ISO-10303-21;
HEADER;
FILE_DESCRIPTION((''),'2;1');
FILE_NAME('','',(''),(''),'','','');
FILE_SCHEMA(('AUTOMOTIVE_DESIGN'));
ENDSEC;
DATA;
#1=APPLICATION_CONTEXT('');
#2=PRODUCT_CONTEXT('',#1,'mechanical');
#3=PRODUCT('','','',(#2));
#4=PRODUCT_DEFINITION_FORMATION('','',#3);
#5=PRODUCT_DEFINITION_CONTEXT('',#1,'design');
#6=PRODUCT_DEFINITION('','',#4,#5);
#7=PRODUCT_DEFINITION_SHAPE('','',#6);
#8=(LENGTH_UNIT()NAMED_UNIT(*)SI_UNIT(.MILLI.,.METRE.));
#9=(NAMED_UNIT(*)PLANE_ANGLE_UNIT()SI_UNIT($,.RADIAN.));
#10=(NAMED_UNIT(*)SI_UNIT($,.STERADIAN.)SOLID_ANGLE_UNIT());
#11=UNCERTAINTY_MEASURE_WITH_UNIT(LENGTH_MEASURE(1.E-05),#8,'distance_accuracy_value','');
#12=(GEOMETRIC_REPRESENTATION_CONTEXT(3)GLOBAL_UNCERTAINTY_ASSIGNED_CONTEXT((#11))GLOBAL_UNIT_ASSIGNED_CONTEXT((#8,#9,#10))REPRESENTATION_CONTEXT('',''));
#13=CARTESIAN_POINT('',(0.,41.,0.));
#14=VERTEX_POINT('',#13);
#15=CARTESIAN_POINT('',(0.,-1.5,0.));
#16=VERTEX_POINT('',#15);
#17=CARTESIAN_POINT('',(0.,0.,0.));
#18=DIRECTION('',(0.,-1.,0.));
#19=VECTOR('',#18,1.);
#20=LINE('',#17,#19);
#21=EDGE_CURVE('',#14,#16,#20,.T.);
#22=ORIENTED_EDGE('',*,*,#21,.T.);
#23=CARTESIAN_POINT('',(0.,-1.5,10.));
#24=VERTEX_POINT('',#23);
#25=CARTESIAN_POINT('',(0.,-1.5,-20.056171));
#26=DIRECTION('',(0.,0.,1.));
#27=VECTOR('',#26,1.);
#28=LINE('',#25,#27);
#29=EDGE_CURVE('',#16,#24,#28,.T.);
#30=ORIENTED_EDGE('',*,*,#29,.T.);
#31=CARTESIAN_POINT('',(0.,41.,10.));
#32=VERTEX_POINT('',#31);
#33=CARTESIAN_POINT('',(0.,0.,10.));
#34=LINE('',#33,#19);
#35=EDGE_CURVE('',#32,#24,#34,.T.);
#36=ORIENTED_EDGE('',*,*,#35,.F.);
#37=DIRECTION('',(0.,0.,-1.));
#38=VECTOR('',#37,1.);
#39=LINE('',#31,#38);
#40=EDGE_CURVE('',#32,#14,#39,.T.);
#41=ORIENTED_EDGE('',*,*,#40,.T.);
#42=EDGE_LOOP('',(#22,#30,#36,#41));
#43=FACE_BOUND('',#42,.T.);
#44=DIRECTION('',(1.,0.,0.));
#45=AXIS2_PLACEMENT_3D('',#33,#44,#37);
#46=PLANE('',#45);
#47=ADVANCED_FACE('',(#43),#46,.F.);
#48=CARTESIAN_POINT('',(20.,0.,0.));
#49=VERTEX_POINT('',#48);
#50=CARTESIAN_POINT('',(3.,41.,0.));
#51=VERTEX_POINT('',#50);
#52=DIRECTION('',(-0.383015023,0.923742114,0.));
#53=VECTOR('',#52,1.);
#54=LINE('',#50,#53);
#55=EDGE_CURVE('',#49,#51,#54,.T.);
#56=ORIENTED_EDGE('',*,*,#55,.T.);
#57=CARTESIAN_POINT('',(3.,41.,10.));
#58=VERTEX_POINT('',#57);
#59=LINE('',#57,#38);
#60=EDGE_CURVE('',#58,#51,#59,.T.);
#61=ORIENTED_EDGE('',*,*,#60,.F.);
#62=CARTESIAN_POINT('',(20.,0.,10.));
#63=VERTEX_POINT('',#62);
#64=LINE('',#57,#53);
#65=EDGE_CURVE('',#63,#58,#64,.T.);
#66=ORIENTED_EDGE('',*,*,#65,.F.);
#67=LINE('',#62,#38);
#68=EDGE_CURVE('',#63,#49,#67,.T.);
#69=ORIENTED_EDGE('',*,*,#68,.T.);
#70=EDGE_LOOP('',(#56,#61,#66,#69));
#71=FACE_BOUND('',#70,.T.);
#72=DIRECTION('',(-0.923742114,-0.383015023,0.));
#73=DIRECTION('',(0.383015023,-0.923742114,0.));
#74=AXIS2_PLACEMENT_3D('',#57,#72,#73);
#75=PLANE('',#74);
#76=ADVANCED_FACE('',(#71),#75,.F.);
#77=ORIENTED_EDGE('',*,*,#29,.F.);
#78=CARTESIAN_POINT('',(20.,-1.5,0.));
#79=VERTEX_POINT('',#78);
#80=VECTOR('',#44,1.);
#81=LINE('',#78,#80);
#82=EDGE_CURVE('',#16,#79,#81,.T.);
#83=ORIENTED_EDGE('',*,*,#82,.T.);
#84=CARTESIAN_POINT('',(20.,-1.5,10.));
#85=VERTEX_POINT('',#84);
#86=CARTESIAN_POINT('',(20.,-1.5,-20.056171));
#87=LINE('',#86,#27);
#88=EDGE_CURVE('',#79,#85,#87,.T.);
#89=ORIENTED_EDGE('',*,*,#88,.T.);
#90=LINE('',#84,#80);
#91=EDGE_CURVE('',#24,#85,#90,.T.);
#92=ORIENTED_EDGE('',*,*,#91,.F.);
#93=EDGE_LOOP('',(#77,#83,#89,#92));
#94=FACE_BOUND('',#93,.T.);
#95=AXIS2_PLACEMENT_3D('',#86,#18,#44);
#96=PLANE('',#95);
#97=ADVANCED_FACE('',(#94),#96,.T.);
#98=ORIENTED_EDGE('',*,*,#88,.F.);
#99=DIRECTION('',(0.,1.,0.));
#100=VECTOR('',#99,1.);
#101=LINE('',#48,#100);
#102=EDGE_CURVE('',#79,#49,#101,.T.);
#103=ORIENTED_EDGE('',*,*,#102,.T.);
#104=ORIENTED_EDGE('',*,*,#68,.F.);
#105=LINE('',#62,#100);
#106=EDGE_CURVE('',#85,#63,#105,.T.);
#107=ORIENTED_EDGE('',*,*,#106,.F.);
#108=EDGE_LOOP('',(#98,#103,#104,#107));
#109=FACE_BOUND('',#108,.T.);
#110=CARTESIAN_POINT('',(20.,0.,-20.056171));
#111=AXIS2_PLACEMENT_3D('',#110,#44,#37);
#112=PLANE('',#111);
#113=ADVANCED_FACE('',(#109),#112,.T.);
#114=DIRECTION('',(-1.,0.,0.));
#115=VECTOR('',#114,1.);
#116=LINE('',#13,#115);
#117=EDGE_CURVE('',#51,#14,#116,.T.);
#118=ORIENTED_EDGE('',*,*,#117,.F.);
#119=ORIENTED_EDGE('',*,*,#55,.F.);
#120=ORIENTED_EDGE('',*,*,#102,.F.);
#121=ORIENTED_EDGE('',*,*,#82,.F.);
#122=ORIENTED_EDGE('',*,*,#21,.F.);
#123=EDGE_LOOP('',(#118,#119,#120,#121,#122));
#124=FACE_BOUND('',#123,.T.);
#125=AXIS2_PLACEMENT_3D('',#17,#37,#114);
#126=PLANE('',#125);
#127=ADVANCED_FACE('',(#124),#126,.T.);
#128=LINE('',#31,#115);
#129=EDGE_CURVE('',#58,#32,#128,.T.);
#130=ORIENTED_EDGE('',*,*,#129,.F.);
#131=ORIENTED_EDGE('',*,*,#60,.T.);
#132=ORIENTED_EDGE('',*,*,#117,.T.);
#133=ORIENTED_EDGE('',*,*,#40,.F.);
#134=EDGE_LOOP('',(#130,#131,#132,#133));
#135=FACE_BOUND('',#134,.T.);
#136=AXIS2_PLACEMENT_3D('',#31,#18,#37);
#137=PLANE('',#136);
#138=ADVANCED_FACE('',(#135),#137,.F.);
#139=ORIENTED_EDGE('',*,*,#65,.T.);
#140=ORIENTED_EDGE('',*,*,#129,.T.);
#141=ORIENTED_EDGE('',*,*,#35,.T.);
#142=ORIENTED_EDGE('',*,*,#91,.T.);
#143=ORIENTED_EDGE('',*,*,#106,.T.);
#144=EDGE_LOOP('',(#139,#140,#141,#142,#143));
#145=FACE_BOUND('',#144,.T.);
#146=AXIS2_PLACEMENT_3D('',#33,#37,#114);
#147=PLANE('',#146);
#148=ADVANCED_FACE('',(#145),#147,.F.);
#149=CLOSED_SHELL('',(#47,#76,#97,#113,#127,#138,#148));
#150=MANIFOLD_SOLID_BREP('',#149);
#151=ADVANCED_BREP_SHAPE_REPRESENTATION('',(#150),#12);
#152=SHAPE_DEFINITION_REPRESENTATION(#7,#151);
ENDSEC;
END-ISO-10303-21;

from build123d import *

# Parameters (mm, degrees)
BOSS_EXTRUDE1_DEPTH = 10
SKETCH2_W           = 20
SKETCH2_H           = 1.5
BOSS_EXTRUDE2_DEPTH = 10


with BuildPart() as part:
    # Sketch1 → Boss-Extrude1 (new body)
    with BuildSketch(Plane.XY):
        Polygon((0, 0), (0, 41), (3, 41), (20, 0), align=None)
    extrude(amount=BOSS_EXTRUDE1_DEPTH)

    # Sketch2 → Boss-Extrude2 (add)
    with BuildSketch(Plane.XY.offset(10)):
        with Locations((10, -0.75)):
            Rectangle(SKETCH2_W, SKETCH2_H)
    extrude(amount=-BOSS_EXTRUDE2_DEPTH)


solid = part.part
